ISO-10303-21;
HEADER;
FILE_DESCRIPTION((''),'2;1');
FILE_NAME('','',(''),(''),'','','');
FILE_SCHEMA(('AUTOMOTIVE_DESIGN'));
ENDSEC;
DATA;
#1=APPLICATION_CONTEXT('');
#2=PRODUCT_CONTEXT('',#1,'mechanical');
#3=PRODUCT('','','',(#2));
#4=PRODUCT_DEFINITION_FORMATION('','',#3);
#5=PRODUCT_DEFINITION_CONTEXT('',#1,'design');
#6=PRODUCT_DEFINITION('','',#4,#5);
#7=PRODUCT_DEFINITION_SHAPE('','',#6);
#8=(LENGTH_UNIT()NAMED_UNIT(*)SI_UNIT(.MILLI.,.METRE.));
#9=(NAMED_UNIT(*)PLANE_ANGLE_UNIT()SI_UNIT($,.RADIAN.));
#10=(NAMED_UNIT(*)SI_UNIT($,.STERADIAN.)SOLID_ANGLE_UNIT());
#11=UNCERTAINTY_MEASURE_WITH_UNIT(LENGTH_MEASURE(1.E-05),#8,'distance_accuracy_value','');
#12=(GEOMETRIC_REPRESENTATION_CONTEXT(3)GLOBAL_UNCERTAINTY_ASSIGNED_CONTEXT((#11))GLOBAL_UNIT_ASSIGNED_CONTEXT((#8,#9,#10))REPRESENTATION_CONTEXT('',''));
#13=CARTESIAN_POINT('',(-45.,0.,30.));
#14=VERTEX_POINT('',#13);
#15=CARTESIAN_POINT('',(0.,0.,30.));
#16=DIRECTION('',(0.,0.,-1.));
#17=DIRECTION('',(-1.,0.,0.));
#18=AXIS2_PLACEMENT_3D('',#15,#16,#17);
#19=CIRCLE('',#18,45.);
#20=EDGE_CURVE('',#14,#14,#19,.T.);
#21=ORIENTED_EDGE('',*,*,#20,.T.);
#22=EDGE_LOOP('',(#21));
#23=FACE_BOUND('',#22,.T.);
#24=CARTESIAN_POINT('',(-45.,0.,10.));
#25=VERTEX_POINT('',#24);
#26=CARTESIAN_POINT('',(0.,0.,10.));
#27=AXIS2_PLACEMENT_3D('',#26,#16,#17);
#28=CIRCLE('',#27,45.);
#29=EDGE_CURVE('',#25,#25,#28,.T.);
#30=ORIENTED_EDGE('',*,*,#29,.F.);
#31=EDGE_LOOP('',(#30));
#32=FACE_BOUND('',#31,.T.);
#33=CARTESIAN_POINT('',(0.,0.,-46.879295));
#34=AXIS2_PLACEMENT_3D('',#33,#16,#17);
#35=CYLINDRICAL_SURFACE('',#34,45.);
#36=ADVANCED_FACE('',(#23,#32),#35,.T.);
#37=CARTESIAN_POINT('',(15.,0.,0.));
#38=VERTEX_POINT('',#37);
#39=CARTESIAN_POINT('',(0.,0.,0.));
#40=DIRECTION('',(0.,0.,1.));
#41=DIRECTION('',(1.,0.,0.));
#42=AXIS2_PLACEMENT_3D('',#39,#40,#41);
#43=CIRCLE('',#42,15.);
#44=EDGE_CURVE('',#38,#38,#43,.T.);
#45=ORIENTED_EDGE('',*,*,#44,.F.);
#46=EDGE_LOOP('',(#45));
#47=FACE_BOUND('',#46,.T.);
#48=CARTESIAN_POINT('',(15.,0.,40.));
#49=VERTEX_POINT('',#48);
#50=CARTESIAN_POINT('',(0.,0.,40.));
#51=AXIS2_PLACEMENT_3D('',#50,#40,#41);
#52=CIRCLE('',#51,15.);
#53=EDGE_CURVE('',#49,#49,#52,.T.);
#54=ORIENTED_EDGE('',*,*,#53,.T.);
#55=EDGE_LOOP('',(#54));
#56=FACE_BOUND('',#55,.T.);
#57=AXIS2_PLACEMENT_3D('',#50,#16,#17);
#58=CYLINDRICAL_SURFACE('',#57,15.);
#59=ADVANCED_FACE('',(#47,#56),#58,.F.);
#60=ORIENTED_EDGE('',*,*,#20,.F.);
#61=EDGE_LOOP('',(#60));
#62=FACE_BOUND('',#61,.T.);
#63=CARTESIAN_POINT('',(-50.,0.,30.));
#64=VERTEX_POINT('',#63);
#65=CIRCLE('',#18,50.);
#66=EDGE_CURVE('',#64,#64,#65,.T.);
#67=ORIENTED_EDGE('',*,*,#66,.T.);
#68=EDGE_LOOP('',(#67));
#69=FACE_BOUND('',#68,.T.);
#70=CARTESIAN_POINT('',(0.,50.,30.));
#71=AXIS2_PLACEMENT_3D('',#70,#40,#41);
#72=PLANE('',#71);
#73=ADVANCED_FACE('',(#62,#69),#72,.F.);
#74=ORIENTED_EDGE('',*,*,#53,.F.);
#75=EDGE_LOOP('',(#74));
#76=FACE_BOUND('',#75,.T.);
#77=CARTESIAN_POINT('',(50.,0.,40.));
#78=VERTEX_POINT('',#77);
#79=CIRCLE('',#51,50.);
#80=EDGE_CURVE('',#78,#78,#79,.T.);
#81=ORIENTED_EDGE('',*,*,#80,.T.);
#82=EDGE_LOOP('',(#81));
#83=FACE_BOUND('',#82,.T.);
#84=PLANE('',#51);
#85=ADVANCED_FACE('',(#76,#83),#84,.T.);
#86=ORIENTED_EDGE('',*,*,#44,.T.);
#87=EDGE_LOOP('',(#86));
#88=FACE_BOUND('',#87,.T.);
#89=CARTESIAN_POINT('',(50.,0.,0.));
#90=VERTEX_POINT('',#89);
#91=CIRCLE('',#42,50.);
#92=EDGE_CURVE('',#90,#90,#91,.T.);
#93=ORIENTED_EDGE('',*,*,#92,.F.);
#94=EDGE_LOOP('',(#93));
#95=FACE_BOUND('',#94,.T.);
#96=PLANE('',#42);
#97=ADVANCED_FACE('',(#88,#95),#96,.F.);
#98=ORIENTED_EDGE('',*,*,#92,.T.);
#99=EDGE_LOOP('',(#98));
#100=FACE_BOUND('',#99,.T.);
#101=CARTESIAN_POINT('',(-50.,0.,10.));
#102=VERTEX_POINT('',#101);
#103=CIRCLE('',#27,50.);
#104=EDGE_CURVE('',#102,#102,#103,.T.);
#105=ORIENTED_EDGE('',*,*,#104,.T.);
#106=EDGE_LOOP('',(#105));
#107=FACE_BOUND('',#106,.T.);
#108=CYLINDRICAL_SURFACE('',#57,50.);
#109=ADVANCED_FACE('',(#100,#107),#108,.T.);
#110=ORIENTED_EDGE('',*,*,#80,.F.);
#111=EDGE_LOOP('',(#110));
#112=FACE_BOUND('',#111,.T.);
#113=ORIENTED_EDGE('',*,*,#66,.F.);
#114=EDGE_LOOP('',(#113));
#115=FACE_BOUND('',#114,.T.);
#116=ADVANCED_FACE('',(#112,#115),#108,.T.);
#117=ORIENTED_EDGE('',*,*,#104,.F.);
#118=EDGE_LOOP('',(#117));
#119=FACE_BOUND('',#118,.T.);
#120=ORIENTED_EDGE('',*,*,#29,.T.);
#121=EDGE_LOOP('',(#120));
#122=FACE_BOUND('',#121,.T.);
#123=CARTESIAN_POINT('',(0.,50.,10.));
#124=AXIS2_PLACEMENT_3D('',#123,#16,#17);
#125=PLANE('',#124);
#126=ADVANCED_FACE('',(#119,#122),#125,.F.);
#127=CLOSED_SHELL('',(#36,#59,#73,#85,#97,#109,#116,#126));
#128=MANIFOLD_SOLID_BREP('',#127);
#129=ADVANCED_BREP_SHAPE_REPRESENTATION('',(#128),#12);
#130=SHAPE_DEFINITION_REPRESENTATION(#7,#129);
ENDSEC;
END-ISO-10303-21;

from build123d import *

# Parameters (mm, degrees)
SKETCH1_R           = 50
SKETCH1_R_2         = 15
BOSS_EXTRUDE1_DEPTH = 40
SKETCH2_W           = 20
SKETCH2_H           = 5


with BuildPart() as part:
    # Sketch1 → Boss-Extrude1 (new body)
    with BuildSketch(Plane.XY):
        Circle(SKETCH1_R)
        Circle(SKETCH1_R_2, mode=Mode.SUBTRACT)
    extrude(amount=BOSS_EXTRUDE1_DEPTH)

    # Sketch2 → Cut-Revolve1 (revolve, cut)
    with BuildSketch(Plane(origin=(0, 0, 0), x_dir=(0, 0, -1), z_dir=(1, 0, 0)), mode=Mode.PRIVATE) as cut_revolve1_sk:
        with Locations((-20, 47.5)):
            Rectangle(SKETCH2_W, SKETCH2_H)
        with Locations((-20, -47.5)):
            Rectangle(SKETCH2_W, SKETCH2_H)
    revolve(cut_revolve1_sk.sketch.rotate(Axis((0, 0, -46.879295237), (0, 0, 1)), 90), axis=Axis((0, 0, -46.879295237), (0, 0, 1)), mode=Mode.SUBTRACT)


solid = part.part
